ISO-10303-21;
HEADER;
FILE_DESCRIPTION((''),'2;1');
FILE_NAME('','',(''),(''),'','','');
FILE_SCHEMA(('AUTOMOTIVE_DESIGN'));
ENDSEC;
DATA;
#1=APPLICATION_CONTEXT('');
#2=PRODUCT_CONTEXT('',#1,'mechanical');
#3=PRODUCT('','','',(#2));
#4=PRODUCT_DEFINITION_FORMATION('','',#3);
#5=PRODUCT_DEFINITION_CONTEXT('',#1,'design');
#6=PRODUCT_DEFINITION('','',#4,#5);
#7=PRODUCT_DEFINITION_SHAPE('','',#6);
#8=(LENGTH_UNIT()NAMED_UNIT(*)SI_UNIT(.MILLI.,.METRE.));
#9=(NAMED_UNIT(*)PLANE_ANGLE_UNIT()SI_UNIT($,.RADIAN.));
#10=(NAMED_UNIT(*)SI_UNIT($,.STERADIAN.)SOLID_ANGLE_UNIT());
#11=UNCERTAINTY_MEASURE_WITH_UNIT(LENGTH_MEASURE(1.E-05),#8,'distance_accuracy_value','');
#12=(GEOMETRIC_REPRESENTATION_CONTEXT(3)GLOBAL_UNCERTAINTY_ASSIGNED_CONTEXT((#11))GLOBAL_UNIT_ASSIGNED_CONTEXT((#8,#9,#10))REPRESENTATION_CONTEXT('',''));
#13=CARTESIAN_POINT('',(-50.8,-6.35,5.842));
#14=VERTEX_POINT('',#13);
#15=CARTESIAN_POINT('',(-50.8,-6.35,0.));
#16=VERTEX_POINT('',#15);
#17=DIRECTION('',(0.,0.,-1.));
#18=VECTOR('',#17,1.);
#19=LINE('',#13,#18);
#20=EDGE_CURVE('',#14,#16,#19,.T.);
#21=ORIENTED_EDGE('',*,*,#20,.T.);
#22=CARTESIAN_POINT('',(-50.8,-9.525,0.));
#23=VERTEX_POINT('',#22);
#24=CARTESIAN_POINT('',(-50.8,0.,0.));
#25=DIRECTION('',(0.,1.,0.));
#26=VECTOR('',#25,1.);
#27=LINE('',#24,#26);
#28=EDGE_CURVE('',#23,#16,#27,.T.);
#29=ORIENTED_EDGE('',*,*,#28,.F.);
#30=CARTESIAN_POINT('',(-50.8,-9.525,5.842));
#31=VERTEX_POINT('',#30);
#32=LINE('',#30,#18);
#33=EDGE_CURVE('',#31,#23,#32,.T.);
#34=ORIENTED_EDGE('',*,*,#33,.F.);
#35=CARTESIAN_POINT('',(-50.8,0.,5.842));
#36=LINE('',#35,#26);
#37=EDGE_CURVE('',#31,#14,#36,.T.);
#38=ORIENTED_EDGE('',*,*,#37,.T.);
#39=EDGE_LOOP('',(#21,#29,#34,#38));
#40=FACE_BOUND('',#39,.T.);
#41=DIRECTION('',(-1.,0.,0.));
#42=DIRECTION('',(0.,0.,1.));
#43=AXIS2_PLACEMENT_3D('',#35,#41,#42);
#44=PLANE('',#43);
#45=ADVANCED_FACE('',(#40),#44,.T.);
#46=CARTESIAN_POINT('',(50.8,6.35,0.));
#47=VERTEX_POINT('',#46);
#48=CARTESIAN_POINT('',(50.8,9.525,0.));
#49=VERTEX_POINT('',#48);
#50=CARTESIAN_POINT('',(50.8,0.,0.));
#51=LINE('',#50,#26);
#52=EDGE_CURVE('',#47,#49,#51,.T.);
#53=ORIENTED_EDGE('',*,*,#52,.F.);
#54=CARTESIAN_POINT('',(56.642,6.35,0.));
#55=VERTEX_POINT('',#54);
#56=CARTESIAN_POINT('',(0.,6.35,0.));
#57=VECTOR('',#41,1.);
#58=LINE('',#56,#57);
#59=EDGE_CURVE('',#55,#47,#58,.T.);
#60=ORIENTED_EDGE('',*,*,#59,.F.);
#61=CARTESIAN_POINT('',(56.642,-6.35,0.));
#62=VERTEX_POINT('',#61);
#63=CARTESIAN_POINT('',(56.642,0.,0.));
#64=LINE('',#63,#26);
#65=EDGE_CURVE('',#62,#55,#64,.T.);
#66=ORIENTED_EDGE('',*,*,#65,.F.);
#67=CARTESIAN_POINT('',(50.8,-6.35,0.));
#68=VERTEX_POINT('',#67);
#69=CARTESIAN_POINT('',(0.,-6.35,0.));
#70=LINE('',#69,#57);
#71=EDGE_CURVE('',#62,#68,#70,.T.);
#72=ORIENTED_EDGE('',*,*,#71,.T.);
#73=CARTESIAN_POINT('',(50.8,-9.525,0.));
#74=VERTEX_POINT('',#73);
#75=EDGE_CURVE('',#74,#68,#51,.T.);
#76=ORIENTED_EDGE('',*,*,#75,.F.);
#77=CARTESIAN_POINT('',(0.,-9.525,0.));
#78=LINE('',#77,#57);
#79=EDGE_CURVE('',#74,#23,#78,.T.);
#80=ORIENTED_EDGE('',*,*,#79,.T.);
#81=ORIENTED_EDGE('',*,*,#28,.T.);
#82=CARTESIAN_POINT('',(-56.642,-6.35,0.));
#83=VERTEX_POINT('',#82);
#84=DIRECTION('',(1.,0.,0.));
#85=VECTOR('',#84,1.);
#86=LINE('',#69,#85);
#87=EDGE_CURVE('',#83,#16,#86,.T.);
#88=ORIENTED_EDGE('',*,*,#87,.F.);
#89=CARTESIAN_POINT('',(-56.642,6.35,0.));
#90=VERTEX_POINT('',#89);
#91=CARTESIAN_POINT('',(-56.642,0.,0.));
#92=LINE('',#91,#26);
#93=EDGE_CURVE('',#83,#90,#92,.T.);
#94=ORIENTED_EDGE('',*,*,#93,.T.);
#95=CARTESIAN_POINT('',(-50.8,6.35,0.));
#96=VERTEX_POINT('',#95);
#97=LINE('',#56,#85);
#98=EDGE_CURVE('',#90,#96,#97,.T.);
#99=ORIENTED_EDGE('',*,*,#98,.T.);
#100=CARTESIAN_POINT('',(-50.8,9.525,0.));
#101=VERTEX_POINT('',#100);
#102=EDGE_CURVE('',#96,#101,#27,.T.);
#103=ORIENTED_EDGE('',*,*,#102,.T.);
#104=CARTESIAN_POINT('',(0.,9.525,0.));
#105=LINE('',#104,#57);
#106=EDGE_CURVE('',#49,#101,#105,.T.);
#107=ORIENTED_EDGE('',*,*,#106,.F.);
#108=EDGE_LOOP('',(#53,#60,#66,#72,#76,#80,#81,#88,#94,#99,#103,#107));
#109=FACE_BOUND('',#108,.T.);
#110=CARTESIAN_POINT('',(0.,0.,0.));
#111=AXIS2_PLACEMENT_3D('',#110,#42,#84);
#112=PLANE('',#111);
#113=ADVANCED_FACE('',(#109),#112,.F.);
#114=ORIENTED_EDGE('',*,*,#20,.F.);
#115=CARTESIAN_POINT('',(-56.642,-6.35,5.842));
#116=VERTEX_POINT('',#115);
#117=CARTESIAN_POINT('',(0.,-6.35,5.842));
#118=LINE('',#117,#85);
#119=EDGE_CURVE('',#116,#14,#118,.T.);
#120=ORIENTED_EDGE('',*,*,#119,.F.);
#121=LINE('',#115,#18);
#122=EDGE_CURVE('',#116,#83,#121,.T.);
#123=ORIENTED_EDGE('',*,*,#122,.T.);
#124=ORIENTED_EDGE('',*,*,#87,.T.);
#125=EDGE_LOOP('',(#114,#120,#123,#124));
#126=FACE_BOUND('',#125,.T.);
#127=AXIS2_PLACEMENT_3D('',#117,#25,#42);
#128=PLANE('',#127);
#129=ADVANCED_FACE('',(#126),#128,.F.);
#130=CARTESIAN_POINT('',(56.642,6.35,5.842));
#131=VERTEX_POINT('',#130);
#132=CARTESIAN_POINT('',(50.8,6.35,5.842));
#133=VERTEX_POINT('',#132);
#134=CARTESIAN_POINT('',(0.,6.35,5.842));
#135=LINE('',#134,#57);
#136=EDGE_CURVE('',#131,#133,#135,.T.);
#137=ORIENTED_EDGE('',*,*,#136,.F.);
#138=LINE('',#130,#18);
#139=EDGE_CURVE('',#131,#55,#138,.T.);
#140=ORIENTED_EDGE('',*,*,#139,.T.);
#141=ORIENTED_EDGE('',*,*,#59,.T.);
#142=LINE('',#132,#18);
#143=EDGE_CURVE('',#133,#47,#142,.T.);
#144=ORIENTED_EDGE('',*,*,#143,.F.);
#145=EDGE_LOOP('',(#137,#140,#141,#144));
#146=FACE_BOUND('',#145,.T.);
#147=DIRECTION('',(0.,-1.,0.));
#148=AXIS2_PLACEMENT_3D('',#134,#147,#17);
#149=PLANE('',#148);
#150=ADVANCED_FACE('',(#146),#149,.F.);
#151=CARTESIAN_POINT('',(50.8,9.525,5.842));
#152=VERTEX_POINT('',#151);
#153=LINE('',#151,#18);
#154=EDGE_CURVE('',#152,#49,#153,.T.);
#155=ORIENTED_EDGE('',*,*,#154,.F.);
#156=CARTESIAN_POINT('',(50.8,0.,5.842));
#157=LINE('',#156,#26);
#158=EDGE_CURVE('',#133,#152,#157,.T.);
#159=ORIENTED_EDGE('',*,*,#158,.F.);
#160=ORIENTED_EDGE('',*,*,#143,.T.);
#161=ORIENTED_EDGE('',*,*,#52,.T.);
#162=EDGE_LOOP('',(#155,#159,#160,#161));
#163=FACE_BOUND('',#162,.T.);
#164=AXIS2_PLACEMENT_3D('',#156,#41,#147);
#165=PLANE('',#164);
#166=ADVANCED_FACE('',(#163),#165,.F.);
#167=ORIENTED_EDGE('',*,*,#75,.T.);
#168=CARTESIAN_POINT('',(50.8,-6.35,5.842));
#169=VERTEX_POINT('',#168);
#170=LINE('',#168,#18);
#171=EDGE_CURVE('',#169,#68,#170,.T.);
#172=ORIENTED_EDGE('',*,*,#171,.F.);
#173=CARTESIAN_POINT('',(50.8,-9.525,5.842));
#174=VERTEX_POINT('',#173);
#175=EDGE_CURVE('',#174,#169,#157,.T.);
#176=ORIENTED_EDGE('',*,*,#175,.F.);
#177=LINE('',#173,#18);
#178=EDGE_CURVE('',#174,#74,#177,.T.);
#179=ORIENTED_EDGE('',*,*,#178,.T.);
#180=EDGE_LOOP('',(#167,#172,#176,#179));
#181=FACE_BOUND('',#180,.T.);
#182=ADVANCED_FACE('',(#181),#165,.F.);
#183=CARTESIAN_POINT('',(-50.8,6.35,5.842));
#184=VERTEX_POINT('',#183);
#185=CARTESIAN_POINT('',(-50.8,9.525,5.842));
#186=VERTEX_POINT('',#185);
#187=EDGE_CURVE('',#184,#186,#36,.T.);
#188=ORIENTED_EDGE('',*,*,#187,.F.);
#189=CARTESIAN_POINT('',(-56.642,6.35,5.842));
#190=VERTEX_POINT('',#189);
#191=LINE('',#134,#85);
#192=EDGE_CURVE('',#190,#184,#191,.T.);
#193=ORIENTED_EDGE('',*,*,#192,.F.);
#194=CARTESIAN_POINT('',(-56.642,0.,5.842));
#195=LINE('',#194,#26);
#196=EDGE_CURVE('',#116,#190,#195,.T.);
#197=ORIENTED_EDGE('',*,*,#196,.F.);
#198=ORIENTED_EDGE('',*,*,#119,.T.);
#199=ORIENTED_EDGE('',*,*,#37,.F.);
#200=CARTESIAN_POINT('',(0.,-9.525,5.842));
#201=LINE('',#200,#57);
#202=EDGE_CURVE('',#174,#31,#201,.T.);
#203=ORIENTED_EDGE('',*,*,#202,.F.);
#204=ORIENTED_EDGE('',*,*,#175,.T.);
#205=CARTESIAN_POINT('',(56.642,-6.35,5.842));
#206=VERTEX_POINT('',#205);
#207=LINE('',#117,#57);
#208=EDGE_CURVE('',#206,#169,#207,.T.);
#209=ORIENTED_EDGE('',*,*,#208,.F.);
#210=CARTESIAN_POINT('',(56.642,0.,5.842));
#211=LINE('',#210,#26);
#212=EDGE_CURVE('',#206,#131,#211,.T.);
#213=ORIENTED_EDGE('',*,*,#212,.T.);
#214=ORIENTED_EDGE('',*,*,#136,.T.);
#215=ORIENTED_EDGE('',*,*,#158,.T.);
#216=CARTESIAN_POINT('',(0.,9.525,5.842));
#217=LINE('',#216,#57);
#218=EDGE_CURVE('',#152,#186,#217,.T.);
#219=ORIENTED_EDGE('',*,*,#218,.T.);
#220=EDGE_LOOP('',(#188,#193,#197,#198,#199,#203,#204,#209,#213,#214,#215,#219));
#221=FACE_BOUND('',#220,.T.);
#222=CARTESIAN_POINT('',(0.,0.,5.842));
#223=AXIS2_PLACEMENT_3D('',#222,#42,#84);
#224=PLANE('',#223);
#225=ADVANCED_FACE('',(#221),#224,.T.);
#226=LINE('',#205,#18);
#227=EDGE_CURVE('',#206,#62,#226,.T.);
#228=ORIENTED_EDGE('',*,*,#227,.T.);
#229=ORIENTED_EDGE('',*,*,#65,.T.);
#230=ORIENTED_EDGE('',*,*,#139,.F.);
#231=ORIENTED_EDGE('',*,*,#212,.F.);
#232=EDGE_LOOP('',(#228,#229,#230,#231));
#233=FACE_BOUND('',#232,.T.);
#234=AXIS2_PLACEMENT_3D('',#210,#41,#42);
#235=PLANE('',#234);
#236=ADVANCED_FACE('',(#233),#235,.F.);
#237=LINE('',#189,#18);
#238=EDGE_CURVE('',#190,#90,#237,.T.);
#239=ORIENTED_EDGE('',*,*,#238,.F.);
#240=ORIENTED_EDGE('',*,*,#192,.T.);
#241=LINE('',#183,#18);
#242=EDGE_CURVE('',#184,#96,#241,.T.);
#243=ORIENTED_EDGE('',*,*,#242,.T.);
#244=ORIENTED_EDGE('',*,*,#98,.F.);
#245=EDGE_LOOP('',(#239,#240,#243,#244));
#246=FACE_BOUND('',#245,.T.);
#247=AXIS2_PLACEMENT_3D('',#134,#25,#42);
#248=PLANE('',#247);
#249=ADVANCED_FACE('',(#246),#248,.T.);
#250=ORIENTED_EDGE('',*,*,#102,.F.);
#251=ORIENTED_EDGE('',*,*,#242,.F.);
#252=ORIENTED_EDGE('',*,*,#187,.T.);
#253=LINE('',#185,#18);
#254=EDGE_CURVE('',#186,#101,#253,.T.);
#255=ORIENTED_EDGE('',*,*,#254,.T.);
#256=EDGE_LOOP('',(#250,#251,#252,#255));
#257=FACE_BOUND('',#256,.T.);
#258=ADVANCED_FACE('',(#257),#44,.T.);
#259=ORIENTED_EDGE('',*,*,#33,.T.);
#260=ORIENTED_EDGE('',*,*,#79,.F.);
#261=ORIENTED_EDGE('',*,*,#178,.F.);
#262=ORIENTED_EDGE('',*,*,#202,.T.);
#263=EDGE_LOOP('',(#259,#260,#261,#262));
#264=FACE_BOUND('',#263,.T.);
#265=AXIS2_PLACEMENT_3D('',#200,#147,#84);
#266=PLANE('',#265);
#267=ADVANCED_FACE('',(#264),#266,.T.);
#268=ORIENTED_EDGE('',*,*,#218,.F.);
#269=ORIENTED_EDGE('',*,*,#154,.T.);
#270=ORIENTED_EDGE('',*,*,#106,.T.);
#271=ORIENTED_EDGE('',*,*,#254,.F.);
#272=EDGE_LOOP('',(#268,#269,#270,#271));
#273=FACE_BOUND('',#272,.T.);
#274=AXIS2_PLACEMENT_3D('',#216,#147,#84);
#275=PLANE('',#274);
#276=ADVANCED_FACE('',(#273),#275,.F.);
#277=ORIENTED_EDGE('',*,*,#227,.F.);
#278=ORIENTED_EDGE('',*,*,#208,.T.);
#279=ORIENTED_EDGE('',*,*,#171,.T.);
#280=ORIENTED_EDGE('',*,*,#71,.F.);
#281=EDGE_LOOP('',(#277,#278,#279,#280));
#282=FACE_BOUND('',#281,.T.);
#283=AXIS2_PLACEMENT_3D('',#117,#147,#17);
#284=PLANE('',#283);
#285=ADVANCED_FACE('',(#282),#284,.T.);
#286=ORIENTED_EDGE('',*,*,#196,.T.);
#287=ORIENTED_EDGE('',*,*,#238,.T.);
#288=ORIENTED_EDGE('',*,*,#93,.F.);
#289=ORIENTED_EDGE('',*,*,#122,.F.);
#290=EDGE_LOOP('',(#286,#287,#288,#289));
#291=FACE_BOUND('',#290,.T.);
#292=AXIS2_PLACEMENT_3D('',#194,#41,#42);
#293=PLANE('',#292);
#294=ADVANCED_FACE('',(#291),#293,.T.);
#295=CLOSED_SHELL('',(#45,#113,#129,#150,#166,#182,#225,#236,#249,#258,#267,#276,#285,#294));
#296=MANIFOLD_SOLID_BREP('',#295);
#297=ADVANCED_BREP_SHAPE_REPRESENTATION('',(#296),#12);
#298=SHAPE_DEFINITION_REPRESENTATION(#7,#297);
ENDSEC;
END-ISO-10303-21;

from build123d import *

# Parameters (mm, degrees)
BOSS_EXTRUDE1_DEPTH = 5.842


with BuildPart() as part:
    # Sketch1 → Boss-Extrude1 (new body)
    with BuildSketch(Plane.XY):
        Polygon((56.642, 6.35), (50.8, 6.35), (50.8, 9.525), (-50.8, 9.525), (-50.8, 6.35), (-56.642, 6.35), (-56.642, -6.35), (-50.8, -6.35), (-50.8, -9.525), (50.8, -9.525), (50.8, -6.35), (56.642, -6.35), align=None)
    extrude(amount=BOSS_EXTRUDE1_DEPTH)


solid = part.part
